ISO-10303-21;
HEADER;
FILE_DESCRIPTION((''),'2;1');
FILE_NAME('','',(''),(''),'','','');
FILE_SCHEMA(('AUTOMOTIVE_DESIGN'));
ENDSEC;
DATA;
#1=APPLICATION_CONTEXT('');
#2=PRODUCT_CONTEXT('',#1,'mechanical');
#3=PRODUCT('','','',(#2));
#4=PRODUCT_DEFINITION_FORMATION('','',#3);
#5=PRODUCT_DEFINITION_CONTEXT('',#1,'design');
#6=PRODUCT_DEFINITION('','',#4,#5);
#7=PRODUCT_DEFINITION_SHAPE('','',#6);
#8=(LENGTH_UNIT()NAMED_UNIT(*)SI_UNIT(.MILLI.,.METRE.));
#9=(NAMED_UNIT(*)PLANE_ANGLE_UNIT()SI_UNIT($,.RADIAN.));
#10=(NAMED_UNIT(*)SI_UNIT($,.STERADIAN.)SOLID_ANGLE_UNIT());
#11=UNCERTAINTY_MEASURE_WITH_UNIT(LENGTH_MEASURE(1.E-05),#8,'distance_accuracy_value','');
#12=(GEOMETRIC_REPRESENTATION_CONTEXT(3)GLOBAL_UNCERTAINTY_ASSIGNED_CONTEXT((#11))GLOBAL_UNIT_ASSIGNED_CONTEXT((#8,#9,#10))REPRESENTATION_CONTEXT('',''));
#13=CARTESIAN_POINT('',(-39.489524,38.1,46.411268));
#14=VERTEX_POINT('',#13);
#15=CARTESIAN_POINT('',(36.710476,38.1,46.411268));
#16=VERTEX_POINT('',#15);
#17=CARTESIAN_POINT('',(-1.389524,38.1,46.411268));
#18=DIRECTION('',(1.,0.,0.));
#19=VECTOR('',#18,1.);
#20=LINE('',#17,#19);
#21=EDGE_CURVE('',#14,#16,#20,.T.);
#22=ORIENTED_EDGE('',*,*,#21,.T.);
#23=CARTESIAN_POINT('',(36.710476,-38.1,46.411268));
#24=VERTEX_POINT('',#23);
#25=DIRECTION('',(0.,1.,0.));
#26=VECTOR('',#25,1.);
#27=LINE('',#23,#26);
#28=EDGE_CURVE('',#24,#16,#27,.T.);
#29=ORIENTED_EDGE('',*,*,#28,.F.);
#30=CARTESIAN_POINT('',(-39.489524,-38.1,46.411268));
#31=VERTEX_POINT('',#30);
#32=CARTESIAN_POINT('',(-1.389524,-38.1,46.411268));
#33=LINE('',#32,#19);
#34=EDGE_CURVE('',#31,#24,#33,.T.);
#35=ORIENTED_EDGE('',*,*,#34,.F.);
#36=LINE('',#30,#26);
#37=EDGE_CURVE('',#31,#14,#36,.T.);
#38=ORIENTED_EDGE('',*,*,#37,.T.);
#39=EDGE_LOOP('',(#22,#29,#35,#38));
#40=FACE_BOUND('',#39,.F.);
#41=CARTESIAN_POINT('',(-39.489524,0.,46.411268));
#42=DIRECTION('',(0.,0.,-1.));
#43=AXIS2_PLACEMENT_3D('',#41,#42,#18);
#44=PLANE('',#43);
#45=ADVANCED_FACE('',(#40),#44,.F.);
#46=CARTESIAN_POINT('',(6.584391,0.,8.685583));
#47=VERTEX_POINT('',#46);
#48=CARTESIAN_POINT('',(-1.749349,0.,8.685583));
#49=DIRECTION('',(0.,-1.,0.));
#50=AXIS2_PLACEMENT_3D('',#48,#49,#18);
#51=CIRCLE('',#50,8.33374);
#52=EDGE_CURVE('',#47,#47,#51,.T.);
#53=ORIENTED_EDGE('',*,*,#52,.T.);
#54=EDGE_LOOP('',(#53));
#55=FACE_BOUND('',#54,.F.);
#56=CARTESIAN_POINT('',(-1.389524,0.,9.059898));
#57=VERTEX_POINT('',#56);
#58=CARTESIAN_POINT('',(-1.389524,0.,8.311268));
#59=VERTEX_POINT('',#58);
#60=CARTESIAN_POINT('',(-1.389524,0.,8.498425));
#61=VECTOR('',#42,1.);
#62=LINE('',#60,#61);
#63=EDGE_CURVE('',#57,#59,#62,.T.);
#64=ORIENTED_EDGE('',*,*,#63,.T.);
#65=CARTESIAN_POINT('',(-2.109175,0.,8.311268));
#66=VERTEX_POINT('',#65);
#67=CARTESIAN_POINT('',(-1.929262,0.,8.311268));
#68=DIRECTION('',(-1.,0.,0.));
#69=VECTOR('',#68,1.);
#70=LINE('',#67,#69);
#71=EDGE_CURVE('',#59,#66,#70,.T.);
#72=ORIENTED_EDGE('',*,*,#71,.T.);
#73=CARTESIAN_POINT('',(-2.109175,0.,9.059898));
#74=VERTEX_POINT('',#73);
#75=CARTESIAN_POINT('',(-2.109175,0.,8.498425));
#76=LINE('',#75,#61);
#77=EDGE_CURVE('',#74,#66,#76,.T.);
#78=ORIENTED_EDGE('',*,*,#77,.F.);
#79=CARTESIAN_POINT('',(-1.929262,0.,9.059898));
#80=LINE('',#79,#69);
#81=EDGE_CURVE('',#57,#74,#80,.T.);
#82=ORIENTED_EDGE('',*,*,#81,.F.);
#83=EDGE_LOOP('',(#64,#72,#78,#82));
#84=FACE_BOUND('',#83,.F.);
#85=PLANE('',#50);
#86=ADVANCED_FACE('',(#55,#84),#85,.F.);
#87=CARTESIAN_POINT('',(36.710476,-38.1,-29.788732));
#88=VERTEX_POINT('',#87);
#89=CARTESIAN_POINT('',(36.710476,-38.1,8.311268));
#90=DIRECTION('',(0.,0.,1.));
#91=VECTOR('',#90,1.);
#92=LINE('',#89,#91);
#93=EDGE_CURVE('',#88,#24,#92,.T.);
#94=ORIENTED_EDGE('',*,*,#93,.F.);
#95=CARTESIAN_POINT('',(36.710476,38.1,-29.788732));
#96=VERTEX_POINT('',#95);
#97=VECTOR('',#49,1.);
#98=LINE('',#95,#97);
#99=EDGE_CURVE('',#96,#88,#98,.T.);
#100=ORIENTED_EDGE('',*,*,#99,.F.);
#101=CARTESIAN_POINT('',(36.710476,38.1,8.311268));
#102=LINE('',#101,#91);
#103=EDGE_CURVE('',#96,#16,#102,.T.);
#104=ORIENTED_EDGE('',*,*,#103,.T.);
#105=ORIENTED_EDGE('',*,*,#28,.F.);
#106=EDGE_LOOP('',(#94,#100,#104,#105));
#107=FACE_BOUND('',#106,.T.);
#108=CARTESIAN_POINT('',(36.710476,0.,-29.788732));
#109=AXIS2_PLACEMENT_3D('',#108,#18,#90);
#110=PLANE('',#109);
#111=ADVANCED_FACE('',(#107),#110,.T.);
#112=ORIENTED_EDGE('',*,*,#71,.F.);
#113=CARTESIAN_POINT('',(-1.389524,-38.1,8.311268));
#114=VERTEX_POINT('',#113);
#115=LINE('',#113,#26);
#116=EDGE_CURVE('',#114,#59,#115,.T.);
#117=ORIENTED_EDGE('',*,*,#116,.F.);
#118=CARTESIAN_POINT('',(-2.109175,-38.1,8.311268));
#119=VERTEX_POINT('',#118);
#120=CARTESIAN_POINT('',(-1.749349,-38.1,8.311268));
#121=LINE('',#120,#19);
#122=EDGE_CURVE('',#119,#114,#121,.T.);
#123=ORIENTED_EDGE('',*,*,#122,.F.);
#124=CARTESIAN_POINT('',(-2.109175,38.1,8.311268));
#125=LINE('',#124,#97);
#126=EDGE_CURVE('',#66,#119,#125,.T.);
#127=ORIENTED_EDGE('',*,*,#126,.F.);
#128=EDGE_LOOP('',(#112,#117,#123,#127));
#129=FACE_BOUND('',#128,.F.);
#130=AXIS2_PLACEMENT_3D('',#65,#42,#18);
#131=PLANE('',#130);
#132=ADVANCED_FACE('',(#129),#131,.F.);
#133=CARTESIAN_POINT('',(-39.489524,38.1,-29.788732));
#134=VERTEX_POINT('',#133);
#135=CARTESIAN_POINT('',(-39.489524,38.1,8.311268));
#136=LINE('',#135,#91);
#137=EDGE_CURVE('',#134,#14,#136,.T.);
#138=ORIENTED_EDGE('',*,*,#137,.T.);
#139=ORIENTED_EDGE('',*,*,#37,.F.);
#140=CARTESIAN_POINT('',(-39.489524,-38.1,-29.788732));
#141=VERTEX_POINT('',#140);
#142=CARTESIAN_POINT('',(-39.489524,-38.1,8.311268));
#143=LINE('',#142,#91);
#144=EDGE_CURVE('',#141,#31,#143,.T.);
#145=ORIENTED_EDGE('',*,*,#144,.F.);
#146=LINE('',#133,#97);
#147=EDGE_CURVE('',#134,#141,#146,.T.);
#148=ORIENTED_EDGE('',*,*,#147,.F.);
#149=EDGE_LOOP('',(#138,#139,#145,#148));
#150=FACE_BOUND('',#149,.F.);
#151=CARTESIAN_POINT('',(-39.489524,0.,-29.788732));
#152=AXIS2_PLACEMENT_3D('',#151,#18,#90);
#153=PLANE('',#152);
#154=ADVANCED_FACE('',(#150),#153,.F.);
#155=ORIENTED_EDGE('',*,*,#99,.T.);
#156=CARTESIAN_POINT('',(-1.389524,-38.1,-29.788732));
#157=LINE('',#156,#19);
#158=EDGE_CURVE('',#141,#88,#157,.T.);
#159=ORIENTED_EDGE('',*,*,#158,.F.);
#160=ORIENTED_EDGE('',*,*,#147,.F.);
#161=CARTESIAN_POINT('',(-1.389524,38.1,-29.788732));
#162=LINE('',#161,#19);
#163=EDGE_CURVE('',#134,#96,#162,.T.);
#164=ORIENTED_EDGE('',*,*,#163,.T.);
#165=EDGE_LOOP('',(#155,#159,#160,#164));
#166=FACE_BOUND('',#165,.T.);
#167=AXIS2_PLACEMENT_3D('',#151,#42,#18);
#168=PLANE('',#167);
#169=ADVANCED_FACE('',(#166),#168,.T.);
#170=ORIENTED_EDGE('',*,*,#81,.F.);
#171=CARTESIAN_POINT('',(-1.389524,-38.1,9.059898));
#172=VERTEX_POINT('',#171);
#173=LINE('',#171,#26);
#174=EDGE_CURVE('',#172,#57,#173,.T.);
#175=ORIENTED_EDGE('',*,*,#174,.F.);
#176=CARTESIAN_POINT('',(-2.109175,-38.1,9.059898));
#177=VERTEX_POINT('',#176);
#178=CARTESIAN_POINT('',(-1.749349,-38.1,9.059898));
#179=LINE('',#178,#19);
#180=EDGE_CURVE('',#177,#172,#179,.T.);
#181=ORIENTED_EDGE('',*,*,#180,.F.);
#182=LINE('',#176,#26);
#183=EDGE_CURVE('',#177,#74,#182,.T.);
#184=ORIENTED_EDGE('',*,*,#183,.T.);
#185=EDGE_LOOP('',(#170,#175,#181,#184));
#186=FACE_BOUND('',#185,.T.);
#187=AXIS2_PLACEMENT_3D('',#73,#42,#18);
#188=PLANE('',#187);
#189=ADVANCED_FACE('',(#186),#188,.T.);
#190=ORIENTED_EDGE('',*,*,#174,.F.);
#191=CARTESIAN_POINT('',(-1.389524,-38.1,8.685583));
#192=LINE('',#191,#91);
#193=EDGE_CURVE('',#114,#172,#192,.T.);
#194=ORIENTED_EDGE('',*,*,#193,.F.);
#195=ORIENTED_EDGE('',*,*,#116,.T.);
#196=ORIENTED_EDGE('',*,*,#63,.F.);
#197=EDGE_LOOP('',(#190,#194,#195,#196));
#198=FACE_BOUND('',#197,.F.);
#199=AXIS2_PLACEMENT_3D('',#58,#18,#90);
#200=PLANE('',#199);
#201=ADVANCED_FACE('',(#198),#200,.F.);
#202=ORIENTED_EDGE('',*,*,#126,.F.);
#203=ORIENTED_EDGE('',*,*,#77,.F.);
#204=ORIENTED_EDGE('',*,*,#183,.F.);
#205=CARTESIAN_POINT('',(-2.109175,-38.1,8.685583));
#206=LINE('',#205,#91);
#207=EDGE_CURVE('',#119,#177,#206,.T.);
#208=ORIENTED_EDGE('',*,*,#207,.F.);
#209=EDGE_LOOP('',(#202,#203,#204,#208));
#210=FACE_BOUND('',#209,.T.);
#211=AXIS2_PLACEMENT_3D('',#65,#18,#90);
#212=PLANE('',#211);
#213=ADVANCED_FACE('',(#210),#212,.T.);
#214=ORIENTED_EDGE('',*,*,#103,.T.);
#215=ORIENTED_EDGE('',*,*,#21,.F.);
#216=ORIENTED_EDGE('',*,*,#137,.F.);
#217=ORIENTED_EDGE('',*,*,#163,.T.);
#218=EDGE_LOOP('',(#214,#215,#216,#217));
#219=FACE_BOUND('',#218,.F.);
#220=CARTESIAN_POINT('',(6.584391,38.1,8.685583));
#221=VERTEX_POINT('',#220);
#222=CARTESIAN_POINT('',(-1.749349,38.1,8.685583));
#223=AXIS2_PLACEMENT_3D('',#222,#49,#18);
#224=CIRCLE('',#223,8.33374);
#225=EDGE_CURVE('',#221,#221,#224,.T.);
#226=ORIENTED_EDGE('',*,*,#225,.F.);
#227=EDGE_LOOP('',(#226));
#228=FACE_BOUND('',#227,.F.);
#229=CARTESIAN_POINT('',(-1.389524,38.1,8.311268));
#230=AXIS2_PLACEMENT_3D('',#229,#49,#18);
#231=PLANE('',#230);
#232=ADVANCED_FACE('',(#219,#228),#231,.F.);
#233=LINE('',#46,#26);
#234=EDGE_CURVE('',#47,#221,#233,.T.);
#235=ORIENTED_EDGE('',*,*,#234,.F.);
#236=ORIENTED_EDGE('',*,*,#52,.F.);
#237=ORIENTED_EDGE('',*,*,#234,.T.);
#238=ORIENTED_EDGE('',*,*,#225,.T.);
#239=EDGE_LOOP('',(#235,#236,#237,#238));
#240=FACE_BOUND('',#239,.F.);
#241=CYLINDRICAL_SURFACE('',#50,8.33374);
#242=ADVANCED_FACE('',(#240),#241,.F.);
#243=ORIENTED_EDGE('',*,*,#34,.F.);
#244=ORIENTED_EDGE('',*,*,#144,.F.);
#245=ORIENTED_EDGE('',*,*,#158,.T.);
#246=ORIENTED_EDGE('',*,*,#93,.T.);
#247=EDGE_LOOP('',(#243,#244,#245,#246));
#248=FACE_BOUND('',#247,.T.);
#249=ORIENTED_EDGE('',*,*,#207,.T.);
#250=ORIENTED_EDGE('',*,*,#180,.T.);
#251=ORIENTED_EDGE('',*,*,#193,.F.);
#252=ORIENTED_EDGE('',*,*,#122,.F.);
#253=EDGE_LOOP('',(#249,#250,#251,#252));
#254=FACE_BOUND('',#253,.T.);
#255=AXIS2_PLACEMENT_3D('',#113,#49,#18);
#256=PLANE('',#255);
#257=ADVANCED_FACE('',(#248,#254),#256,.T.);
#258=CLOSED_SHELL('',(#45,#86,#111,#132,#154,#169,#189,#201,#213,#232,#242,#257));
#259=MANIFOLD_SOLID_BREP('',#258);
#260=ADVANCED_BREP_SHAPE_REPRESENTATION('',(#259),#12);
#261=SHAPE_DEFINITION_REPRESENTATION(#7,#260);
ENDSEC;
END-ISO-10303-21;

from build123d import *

# Parameters (mm, degrees)
F0_W     = 76.2
F0_H     = 76.2
F0_W_2   = 0.719650794
F0_H_2   = 0.7486300139
F1_DEPTH = 38.1
F2_D     = 16.66748
F2_DEPTH = 58.42
F2_TIP   = 5.0074161752


with BuildPart() as f1:
    # F0 (on Front) → F1 (new body, symmetric)
    with BuildSketch(Plane.XZ):
        with Locations((-1.3895237146, 8.3112677576)):
            Rectangle(F0_W, F0_H)
        with Locations((-1.7493491116, 8.6855827646)):
            Rectangle(F0_W_2, F0_H_2, mode=Mode.SUBTRACT)
    extrude(amount=F1_DEPTH, both=True)

    # F2 (one way)
    with BuildSketch(Plane.XZ):
        with Locations((-1.7493491116, 8.6855827646)):
            Circle(F2_D / 2)
    extrude(amount=-F2_DEPTH, mode=Mode.SUBTRACT)
    with Locations(Plane.XZ):
        with Locations((-1.7493491116, 8.6855827646)):
            with Locations((0, 0, -(F2_DEPTH + F2_TIP / 2))):  # 118° drill point
                Cone(0, F2_D / 2, F2_TIP, mode=Mode.SUBTRACT)


solid = f1.part
